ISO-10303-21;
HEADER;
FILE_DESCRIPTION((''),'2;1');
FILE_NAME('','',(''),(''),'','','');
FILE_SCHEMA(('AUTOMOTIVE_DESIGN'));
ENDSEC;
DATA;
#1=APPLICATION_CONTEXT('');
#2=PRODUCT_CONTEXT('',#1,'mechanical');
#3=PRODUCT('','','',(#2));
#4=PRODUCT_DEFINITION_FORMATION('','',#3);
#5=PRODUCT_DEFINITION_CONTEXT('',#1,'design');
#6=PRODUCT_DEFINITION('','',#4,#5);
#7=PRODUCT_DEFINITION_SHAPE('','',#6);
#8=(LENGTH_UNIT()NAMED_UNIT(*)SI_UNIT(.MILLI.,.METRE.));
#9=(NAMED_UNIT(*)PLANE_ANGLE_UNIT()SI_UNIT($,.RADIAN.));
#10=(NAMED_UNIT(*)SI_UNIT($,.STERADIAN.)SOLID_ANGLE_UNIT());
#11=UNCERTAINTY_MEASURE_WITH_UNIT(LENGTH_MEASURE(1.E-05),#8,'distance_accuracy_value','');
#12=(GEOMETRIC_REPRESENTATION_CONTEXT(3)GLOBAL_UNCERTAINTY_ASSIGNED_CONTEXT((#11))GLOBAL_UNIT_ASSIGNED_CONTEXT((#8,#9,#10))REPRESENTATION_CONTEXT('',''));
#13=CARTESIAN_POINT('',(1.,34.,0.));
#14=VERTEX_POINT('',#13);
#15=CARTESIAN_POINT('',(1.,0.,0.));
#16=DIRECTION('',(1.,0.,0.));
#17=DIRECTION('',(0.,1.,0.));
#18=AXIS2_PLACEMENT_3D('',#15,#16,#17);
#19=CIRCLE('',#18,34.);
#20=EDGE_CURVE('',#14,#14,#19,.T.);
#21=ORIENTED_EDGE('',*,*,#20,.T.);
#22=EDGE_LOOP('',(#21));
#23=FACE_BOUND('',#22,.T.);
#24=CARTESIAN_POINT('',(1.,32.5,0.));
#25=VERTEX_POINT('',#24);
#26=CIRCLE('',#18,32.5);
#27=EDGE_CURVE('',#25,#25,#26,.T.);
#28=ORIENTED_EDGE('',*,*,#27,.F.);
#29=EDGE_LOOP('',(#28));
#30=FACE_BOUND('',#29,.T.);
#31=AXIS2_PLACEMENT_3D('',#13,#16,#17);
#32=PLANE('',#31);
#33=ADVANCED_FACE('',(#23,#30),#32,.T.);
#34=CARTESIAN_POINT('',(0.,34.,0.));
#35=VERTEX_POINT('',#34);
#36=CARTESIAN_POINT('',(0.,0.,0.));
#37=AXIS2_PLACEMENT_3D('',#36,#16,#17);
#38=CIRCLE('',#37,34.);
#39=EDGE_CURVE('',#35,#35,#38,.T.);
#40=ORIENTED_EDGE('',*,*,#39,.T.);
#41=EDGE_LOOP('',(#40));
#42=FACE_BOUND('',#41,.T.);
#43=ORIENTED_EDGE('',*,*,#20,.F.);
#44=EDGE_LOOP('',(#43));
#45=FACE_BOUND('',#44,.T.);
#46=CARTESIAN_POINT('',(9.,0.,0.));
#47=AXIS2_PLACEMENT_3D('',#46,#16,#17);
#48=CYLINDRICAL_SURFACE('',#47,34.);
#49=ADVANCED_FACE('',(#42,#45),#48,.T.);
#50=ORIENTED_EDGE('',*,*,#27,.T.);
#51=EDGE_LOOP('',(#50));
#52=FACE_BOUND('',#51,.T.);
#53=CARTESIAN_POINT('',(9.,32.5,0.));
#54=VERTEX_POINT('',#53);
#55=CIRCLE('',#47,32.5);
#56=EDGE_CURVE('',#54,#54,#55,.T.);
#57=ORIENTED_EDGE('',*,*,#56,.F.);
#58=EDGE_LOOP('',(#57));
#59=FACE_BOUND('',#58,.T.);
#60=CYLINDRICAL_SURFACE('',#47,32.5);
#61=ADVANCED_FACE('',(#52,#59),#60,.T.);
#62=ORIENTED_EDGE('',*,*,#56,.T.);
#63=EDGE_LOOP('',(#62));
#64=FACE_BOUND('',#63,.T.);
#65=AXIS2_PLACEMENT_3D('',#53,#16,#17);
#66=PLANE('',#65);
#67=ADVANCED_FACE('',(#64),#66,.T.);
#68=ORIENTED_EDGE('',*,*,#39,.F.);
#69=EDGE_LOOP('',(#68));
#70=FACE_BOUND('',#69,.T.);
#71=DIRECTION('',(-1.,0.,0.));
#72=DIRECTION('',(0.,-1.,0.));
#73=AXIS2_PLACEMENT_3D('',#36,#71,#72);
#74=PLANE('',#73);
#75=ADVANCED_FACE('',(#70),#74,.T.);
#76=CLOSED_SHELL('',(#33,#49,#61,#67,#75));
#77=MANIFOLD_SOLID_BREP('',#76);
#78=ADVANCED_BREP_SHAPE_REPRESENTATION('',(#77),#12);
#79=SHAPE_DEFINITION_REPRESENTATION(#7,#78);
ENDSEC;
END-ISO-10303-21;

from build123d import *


with BuildPart() as part:
    # Sketch1 → Revolve1 (revolve)
    with BuildSketch(Plane.XY):
        Polygon((0, 0), (0, 34), (1, 34), (1, 32.5), (9, 32.5), (9, 0), align=None)
    revolve(axis=Axis((9, 0, 0), (-1, 0, 0)))


solid = part.part
